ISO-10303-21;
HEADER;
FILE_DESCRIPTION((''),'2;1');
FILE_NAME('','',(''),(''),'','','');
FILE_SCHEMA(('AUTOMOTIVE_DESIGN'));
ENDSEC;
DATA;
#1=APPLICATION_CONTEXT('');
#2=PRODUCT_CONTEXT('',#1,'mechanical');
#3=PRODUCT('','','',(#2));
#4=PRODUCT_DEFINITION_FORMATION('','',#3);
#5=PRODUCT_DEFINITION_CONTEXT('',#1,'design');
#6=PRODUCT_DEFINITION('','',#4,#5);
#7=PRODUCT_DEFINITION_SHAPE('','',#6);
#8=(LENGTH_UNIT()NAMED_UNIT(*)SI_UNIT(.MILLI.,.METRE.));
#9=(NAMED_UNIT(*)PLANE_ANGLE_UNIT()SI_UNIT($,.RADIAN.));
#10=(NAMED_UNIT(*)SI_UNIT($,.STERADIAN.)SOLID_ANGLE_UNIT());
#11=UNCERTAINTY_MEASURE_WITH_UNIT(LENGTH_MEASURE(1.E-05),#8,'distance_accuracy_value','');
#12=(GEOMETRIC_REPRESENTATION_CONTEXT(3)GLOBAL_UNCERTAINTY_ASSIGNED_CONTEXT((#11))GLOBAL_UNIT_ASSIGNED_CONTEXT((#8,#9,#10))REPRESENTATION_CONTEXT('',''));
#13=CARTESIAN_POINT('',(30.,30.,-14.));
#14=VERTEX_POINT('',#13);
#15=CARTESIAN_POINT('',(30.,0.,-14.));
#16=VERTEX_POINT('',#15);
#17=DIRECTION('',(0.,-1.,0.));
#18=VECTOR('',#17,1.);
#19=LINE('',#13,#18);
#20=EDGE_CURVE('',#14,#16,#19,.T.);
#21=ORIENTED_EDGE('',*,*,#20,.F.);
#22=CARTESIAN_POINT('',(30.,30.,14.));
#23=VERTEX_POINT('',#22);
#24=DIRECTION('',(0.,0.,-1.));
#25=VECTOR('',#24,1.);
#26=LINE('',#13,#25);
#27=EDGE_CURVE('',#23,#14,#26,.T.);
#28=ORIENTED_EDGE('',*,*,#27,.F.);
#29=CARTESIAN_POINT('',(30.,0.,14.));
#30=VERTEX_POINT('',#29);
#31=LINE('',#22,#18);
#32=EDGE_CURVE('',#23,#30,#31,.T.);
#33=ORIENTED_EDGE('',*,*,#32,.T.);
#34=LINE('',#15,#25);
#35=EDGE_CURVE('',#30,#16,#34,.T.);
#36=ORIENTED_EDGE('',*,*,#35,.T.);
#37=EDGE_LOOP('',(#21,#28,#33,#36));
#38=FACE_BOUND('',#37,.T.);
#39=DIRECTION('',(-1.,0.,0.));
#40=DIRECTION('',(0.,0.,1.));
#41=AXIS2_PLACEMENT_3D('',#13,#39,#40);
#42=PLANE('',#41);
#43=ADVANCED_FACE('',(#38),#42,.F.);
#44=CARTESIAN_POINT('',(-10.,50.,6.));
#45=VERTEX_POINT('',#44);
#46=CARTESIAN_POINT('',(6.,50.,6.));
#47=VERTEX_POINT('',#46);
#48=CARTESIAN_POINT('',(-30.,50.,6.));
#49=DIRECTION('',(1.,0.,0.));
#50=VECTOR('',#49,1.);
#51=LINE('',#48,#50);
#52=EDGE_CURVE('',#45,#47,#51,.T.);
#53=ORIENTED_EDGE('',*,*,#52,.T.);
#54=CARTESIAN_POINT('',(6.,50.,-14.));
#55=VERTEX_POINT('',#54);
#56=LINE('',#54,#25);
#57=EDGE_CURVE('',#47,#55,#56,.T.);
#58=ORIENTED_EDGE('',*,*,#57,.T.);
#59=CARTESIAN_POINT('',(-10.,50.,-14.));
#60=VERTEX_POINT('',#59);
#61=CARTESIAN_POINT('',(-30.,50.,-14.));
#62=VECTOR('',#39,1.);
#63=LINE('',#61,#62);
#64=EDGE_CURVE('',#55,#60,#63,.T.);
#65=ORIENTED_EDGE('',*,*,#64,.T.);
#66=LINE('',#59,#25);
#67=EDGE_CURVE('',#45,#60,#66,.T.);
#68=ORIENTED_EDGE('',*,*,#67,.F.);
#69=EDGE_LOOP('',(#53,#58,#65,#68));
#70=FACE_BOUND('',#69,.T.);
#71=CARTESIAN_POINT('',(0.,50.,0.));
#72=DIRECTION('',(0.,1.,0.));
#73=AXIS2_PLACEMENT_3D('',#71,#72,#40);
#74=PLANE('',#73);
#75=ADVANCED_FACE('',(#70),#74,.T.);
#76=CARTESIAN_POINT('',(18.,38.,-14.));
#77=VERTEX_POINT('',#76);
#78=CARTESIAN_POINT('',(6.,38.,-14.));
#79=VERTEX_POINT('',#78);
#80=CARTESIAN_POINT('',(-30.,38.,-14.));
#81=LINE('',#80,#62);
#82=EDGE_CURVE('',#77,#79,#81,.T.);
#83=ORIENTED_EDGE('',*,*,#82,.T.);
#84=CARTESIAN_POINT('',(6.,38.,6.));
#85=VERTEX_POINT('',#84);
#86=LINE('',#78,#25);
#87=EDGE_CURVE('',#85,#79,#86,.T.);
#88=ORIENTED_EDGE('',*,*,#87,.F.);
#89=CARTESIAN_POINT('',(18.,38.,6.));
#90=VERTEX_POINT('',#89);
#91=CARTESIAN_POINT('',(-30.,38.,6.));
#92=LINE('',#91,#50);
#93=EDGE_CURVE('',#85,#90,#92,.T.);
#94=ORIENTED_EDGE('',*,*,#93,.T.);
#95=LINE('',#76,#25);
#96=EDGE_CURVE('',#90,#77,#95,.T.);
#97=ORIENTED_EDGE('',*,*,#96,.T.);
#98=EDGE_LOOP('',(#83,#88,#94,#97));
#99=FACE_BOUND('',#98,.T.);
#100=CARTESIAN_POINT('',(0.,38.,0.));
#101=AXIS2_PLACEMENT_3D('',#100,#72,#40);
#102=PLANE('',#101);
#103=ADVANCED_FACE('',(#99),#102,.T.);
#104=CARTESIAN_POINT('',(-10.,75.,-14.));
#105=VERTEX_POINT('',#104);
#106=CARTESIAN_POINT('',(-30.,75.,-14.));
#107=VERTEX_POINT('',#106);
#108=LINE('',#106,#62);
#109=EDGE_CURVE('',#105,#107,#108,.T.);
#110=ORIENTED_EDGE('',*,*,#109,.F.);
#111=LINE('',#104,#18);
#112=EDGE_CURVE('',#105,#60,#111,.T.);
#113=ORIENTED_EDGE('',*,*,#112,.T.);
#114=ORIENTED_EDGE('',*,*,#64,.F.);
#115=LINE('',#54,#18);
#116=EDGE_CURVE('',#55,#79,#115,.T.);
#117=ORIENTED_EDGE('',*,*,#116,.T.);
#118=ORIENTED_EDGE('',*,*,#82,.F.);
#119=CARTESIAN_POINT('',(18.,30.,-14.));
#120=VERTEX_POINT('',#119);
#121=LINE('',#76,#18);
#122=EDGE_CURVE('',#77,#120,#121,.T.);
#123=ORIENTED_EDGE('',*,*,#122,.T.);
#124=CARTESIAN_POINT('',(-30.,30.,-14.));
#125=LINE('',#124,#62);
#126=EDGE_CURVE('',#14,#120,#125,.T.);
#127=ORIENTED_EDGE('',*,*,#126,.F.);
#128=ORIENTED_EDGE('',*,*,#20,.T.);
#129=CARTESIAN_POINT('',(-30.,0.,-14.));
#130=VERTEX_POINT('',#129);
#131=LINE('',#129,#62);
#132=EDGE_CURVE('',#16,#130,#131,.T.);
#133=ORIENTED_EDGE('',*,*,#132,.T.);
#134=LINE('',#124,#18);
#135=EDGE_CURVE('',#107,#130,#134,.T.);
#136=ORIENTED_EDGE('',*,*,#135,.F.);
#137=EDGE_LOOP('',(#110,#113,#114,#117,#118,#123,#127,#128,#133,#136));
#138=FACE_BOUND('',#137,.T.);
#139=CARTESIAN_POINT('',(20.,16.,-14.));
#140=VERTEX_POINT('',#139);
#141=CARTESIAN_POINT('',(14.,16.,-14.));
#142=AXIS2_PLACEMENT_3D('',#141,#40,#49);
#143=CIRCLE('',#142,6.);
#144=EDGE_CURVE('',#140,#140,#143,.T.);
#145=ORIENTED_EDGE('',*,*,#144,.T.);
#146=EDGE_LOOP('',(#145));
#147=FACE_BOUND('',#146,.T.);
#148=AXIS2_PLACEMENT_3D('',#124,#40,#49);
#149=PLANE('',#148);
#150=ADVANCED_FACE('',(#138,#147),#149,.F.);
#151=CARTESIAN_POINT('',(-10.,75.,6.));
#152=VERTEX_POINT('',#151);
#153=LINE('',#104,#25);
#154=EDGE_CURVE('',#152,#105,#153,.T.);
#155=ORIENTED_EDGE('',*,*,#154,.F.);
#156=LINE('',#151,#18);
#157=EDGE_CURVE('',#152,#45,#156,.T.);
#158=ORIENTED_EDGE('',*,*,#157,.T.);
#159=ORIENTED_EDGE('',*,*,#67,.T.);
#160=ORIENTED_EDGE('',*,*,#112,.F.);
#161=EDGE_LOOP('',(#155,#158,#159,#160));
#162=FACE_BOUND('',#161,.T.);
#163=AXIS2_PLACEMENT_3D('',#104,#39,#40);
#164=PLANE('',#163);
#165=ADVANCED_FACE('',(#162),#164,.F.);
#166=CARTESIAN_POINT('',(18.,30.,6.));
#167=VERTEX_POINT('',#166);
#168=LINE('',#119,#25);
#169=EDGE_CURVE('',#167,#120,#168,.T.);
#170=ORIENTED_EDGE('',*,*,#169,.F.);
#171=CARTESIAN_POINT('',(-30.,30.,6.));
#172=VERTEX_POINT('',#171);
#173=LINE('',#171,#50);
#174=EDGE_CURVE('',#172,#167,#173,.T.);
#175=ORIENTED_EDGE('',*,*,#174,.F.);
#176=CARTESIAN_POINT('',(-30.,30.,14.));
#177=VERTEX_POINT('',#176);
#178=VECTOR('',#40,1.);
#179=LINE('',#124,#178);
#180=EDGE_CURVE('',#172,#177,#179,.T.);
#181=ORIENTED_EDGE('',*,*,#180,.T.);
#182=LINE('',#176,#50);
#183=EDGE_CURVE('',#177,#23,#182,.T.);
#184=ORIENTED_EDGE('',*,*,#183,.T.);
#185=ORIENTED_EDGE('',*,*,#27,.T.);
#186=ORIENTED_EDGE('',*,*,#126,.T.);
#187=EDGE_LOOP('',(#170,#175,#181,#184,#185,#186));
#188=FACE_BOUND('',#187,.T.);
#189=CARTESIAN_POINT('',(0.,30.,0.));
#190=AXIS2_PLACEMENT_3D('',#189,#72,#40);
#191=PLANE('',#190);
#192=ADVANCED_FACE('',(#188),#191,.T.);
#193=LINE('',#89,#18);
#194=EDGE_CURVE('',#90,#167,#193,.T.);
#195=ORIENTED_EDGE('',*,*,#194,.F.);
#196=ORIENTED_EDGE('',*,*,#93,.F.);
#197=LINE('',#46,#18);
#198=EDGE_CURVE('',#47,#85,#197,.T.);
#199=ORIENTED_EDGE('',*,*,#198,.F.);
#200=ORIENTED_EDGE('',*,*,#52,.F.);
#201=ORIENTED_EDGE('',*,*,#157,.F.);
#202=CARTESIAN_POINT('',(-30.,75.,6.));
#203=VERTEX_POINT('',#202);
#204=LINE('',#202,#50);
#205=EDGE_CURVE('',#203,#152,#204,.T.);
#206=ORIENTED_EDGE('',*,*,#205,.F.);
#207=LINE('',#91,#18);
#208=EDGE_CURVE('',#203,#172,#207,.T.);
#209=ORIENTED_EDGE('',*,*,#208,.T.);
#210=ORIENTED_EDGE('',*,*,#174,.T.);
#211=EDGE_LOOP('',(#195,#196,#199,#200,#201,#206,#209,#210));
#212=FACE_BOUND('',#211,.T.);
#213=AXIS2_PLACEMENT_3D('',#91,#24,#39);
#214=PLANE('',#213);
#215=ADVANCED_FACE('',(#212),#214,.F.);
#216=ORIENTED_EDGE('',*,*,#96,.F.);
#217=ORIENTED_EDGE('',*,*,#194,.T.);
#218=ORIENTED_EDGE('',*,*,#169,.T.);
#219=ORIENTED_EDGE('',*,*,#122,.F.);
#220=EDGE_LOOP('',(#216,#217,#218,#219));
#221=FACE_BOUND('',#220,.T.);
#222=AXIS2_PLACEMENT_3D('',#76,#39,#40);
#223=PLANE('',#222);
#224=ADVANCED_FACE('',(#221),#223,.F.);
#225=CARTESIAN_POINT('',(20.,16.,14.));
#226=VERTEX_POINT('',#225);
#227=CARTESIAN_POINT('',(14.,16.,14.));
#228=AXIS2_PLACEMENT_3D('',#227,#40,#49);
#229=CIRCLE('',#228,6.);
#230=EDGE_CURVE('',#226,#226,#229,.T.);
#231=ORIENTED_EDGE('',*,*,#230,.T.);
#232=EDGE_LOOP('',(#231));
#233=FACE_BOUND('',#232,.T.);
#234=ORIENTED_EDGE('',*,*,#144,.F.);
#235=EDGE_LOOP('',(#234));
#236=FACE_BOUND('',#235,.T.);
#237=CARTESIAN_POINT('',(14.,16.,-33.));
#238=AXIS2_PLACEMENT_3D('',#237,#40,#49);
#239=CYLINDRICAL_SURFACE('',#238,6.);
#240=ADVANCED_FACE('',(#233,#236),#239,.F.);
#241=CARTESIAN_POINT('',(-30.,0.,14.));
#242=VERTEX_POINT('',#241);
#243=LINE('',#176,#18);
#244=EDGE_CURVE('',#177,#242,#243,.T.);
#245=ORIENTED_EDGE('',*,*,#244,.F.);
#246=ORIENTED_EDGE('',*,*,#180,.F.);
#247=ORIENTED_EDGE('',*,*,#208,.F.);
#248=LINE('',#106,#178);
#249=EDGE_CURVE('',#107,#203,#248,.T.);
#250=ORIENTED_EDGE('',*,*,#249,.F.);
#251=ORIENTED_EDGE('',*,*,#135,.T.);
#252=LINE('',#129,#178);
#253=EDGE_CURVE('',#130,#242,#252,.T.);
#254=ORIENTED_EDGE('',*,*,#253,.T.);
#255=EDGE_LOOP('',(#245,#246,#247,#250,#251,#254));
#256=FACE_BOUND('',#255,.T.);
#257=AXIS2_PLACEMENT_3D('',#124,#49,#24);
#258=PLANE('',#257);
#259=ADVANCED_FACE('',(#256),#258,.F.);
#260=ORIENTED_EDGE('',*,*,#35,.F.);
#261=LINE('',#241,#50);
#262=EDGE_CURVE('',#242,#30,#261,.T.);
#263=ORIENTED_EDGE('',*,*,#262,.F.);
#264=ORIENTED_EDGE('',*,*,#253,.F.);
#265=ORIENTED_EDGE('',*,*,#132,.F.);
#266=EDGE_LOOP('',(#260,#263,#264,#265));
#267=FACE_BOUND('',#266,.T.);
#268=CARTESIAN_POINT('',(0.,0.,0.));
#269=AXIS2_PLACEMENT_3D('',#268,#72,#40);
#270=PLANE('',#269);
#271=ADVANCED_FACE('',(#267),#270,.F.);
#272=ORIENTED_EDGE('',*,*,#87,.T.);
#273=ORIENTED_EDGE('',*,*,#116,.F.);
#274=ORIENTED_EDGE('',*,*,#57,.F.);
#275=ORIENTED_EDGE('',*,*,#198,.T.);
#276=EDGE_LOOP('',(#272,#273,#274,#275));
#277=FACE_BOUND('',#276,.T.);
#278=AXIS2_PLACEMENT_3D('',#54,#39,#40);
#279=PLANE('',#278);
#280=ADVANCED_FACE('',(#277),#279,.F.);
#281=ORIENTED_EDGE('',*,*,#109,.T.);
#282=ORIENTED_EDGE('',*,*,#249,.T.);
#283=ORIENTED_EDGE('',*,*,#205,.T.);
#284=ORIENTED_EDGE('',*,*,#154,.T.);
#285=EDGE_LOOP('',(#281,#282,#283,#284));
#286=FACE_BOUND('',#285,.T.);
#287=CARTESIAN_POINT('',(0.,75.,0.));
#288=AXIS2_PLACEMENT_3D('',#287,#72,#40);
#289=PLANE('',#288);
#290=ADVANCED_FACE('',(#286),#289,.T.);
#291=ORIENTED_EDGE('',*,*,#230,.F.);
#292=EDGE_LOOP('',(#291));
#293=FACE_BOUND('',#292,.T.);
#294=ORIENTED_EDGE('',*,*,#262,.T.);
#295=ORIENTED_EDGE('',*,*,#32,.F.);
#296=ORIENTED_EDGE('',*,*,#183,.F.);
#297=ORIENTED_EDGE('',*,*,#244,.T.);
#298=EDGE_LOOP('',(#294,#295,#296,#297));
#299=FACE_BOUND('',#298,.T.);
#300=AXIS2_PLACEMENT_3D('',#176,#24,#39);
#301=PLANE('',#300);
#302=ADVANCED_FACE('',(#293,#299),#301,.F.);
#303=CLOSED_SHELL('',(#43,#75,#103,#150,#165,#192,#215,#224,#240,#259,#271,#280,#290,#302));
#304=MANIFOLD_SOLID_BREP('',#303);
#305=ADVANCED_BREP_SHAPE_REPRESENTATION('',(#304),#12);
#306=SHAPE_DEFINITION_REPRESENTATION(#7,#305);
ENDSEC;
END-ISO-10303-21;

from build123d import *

# Parameters (mm, degrees)
SKETCH2_W           = 60
SKETCH2_H           = 28
BOSS_EXTRUDE1_DEPTH = 30
SKETCH3_R           = 6
CUT_EXTRUDE1_DEPTH  = 47
SKETCH4_W           = 48
SKETCH4_H           = 20
BOSS_EXTRUDE2_DEPTH = 8
SKETCH5_W           = 36
SKETCH5_H           = 20
BOSS_EXTRUDE3_DEPTH = 12
SKETCH6_W           = 20
SKETCH6_H           = 20
BOSS_EXTRUDE4_DEPTH = 25


with BuildPart() as part:
    # Sketch2 → Boss-Extrude1 (new body)
    with BuildSketch(Plane(origin=(0, 0, 0), x_dir=(1, 0, 0), z_dir=(0, 1, 0))):
        Rectangle(SKETCH2_W, SKETCH2_H)
    extrude(amount=BOSS_EXTRUDE1_DEPTH)

    # Sketch3 → Cut-Extrude1 (cut)
    with BuildSketch(Plane.XY.offset(14)):
        with Locations((14, 16)):
            Circle(SKETCH3_R)
    extrude(amount=-CUT_EXTRUDE1_DEPTH, mode=Mode.SUBTRACT)

    # Sketch4 → Boss-Extrude2 (add)
    with BuildSketch(Plane(origin=(0, 30, 0), x_dir=(1, 0, 0), z_dir=(0, 1, 0))):
        with Locations((-6, 4)):
            Rectangle(SKETCH4_W, SKETCH4_H)
    extrude(amount=BOSS_EXTRUDE2_DEPTH)

    # Sketch5 → Boss-Extrude3 (add)
    with BuildSketch(Plane(origin=(0, 38, 0), x_dir=(1, 0, 0), z_dir=(0, 1, 0))):
        with Locations((-12, 4)):
            Rectangle(SKETCH5_W, SKETCH5_H)
    extrude(amount=BOSS_EXTRUDE3_DEPTH)

    # Sketch6 → Boss-Extrude4 (add)
    with BuildSketch(Plane(origin=(0, 50, 0), x_dir=(1, 0, 0), z_dir=(0, 1, 0))):
        with Locations((-20, 4)):
            Rectangle(SKETCH6_W, SKETCH6_H)
    extrude(amount=BOSS_EXTRUDE4_DEPTH)


solid = part.part
